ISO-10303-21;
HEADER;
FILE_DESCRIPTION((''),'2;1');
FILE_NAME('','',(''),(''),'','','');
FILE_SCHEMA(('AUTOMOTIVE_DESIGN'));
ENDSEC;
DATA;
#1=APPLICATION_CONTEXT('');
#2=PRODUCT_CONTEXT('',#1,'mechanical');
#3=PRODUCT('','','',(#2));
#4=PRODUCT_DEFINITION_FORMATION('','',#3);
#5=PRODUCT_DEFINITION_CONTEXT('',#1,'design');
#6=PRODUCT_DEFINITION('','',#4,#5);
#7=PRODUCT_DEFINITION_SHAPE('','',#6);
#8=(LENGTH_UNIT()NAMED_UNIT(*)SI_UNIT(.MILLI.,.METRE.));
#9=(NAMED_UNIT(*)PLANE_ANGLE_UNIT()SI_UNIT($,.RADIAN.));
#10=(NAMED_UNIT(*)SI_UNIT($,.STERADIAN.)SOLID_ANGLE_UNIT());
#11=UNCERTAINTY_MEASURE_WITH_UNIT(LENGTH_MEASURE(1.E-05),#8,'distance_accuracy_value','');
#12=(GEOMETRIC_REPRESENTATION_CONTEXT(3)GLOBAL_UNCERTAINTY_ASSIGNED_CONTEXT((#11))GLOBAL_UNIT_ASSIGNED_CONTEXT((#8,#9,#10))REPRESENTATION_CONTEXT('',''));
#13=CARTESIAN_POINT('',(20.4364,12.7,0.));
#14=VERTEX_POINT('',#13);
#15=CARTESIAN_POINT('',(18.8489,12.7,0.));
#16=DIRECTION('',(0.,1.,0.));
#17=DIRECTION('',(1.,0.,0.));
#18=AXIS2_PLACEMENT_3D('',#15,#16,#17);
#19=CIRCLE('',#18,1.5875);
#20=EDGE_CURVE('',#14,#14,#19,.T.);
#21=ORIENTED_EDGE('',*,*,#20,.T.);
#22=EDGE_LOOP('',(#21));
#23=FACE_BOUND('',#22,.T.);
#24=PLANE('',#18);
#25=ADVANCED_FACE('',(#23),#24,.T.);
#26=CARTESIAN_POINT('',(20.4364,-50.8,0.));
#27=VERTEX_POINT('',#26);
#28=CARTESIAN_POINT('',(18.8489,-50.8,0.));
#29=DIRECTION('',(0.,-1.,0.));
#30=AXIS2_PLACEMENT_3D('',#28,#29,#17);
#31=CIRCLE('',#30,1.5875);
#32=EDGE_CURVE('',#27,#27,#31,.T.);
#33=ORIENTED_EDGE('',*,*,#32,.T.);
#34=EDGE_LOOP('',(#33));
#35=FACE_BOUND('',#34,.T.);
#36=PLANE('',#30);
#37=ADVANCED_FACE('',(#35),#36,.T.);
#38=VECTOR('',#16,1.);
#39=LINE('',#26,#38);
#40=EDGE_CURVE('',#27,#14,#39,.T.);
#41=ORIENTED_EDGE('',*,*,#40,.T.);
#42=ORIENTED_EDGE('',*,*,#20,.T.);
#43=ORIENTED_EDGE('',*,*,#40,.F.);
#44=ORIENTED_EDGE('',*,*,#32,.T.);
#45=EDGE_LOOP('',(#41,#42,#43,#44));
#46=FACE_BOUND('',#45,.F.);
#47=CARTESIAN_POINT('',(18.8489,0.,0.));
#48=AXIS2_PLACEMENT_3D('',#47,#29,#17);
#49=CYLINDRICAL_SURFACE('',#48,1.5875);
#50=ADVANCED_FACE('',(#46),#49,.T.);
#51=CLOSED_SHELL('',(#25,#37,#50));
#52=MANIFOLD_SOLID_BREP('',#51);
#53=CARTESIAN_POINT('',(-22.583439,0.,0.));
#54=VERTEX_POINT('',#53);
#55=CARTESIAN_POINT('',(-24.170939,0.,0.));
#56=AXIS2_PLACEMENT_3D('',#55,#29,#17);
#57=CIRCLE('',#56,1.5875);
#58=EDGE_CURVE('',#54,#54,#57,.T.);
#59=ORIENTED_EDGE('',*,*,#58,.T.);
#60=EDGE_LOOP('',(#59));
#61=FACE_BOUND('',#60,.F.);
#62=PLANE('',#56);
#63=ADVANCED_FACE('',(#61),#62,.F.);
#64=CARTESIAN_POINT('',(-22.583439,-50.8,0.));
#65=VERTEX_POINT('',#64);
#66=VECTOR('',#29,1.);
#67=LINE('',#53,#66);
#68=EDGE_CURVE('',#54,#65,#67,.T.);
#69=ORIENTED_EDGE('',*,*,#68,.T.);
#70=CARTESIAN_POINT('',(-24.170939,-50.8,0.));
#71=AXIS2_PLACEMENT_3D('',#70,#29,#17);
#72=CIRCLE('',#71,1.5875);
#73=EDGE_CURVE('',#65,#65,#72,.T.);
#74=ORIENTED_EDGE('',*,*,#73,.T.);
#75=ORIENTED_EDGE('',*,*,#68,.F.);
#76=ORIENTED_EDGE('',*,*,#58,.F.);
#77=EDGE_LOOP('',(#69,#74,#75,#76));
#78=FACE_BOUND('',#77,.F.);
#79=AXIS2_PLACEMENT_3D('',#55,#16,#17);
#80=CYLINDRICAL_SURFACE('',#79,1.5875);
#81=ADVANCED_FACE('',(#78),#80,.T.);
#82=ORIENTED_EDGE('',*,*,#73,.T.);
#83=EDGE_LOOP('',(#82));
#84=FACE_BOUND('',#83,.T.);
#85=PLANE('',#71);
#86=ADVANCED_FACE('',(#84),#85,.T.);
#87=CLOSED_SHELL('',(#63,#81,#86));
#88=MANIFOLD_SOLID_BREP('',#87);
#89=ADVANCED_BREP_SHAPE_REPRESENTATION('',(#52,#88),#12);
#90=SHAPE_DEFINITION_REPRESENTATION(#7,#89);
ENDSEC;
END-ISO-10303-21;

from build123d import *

# Parameters (mm, degrees)
F0_R      = 1.5875
F1_DEPTH  = 50.8
F1_FACE_R = 1.5875
F2_DEPTH  = 12.7


with BuildPart() as f1:
    # F0 (on Front) → F1 (new body)
    with BuildSketch(Plane.XZ):
        with Locations((-24.170939, 0)):
            Circle(F0_R)
        with Locations((18.8489, 0)):
            Circle(F0_R)
    extrude(amount=F1_DEPTH)

    # F1_face (on face) → F2 (join)
    with BuildSketch(Plane(origin=(18.8489, 0, 0), x_dir=(1, 0, 0), z_dir=(0, 1, 0))):
        Circle(F1_FACE_R)
    extrude(amount=F2_DEPTH)


solid = f1.part
